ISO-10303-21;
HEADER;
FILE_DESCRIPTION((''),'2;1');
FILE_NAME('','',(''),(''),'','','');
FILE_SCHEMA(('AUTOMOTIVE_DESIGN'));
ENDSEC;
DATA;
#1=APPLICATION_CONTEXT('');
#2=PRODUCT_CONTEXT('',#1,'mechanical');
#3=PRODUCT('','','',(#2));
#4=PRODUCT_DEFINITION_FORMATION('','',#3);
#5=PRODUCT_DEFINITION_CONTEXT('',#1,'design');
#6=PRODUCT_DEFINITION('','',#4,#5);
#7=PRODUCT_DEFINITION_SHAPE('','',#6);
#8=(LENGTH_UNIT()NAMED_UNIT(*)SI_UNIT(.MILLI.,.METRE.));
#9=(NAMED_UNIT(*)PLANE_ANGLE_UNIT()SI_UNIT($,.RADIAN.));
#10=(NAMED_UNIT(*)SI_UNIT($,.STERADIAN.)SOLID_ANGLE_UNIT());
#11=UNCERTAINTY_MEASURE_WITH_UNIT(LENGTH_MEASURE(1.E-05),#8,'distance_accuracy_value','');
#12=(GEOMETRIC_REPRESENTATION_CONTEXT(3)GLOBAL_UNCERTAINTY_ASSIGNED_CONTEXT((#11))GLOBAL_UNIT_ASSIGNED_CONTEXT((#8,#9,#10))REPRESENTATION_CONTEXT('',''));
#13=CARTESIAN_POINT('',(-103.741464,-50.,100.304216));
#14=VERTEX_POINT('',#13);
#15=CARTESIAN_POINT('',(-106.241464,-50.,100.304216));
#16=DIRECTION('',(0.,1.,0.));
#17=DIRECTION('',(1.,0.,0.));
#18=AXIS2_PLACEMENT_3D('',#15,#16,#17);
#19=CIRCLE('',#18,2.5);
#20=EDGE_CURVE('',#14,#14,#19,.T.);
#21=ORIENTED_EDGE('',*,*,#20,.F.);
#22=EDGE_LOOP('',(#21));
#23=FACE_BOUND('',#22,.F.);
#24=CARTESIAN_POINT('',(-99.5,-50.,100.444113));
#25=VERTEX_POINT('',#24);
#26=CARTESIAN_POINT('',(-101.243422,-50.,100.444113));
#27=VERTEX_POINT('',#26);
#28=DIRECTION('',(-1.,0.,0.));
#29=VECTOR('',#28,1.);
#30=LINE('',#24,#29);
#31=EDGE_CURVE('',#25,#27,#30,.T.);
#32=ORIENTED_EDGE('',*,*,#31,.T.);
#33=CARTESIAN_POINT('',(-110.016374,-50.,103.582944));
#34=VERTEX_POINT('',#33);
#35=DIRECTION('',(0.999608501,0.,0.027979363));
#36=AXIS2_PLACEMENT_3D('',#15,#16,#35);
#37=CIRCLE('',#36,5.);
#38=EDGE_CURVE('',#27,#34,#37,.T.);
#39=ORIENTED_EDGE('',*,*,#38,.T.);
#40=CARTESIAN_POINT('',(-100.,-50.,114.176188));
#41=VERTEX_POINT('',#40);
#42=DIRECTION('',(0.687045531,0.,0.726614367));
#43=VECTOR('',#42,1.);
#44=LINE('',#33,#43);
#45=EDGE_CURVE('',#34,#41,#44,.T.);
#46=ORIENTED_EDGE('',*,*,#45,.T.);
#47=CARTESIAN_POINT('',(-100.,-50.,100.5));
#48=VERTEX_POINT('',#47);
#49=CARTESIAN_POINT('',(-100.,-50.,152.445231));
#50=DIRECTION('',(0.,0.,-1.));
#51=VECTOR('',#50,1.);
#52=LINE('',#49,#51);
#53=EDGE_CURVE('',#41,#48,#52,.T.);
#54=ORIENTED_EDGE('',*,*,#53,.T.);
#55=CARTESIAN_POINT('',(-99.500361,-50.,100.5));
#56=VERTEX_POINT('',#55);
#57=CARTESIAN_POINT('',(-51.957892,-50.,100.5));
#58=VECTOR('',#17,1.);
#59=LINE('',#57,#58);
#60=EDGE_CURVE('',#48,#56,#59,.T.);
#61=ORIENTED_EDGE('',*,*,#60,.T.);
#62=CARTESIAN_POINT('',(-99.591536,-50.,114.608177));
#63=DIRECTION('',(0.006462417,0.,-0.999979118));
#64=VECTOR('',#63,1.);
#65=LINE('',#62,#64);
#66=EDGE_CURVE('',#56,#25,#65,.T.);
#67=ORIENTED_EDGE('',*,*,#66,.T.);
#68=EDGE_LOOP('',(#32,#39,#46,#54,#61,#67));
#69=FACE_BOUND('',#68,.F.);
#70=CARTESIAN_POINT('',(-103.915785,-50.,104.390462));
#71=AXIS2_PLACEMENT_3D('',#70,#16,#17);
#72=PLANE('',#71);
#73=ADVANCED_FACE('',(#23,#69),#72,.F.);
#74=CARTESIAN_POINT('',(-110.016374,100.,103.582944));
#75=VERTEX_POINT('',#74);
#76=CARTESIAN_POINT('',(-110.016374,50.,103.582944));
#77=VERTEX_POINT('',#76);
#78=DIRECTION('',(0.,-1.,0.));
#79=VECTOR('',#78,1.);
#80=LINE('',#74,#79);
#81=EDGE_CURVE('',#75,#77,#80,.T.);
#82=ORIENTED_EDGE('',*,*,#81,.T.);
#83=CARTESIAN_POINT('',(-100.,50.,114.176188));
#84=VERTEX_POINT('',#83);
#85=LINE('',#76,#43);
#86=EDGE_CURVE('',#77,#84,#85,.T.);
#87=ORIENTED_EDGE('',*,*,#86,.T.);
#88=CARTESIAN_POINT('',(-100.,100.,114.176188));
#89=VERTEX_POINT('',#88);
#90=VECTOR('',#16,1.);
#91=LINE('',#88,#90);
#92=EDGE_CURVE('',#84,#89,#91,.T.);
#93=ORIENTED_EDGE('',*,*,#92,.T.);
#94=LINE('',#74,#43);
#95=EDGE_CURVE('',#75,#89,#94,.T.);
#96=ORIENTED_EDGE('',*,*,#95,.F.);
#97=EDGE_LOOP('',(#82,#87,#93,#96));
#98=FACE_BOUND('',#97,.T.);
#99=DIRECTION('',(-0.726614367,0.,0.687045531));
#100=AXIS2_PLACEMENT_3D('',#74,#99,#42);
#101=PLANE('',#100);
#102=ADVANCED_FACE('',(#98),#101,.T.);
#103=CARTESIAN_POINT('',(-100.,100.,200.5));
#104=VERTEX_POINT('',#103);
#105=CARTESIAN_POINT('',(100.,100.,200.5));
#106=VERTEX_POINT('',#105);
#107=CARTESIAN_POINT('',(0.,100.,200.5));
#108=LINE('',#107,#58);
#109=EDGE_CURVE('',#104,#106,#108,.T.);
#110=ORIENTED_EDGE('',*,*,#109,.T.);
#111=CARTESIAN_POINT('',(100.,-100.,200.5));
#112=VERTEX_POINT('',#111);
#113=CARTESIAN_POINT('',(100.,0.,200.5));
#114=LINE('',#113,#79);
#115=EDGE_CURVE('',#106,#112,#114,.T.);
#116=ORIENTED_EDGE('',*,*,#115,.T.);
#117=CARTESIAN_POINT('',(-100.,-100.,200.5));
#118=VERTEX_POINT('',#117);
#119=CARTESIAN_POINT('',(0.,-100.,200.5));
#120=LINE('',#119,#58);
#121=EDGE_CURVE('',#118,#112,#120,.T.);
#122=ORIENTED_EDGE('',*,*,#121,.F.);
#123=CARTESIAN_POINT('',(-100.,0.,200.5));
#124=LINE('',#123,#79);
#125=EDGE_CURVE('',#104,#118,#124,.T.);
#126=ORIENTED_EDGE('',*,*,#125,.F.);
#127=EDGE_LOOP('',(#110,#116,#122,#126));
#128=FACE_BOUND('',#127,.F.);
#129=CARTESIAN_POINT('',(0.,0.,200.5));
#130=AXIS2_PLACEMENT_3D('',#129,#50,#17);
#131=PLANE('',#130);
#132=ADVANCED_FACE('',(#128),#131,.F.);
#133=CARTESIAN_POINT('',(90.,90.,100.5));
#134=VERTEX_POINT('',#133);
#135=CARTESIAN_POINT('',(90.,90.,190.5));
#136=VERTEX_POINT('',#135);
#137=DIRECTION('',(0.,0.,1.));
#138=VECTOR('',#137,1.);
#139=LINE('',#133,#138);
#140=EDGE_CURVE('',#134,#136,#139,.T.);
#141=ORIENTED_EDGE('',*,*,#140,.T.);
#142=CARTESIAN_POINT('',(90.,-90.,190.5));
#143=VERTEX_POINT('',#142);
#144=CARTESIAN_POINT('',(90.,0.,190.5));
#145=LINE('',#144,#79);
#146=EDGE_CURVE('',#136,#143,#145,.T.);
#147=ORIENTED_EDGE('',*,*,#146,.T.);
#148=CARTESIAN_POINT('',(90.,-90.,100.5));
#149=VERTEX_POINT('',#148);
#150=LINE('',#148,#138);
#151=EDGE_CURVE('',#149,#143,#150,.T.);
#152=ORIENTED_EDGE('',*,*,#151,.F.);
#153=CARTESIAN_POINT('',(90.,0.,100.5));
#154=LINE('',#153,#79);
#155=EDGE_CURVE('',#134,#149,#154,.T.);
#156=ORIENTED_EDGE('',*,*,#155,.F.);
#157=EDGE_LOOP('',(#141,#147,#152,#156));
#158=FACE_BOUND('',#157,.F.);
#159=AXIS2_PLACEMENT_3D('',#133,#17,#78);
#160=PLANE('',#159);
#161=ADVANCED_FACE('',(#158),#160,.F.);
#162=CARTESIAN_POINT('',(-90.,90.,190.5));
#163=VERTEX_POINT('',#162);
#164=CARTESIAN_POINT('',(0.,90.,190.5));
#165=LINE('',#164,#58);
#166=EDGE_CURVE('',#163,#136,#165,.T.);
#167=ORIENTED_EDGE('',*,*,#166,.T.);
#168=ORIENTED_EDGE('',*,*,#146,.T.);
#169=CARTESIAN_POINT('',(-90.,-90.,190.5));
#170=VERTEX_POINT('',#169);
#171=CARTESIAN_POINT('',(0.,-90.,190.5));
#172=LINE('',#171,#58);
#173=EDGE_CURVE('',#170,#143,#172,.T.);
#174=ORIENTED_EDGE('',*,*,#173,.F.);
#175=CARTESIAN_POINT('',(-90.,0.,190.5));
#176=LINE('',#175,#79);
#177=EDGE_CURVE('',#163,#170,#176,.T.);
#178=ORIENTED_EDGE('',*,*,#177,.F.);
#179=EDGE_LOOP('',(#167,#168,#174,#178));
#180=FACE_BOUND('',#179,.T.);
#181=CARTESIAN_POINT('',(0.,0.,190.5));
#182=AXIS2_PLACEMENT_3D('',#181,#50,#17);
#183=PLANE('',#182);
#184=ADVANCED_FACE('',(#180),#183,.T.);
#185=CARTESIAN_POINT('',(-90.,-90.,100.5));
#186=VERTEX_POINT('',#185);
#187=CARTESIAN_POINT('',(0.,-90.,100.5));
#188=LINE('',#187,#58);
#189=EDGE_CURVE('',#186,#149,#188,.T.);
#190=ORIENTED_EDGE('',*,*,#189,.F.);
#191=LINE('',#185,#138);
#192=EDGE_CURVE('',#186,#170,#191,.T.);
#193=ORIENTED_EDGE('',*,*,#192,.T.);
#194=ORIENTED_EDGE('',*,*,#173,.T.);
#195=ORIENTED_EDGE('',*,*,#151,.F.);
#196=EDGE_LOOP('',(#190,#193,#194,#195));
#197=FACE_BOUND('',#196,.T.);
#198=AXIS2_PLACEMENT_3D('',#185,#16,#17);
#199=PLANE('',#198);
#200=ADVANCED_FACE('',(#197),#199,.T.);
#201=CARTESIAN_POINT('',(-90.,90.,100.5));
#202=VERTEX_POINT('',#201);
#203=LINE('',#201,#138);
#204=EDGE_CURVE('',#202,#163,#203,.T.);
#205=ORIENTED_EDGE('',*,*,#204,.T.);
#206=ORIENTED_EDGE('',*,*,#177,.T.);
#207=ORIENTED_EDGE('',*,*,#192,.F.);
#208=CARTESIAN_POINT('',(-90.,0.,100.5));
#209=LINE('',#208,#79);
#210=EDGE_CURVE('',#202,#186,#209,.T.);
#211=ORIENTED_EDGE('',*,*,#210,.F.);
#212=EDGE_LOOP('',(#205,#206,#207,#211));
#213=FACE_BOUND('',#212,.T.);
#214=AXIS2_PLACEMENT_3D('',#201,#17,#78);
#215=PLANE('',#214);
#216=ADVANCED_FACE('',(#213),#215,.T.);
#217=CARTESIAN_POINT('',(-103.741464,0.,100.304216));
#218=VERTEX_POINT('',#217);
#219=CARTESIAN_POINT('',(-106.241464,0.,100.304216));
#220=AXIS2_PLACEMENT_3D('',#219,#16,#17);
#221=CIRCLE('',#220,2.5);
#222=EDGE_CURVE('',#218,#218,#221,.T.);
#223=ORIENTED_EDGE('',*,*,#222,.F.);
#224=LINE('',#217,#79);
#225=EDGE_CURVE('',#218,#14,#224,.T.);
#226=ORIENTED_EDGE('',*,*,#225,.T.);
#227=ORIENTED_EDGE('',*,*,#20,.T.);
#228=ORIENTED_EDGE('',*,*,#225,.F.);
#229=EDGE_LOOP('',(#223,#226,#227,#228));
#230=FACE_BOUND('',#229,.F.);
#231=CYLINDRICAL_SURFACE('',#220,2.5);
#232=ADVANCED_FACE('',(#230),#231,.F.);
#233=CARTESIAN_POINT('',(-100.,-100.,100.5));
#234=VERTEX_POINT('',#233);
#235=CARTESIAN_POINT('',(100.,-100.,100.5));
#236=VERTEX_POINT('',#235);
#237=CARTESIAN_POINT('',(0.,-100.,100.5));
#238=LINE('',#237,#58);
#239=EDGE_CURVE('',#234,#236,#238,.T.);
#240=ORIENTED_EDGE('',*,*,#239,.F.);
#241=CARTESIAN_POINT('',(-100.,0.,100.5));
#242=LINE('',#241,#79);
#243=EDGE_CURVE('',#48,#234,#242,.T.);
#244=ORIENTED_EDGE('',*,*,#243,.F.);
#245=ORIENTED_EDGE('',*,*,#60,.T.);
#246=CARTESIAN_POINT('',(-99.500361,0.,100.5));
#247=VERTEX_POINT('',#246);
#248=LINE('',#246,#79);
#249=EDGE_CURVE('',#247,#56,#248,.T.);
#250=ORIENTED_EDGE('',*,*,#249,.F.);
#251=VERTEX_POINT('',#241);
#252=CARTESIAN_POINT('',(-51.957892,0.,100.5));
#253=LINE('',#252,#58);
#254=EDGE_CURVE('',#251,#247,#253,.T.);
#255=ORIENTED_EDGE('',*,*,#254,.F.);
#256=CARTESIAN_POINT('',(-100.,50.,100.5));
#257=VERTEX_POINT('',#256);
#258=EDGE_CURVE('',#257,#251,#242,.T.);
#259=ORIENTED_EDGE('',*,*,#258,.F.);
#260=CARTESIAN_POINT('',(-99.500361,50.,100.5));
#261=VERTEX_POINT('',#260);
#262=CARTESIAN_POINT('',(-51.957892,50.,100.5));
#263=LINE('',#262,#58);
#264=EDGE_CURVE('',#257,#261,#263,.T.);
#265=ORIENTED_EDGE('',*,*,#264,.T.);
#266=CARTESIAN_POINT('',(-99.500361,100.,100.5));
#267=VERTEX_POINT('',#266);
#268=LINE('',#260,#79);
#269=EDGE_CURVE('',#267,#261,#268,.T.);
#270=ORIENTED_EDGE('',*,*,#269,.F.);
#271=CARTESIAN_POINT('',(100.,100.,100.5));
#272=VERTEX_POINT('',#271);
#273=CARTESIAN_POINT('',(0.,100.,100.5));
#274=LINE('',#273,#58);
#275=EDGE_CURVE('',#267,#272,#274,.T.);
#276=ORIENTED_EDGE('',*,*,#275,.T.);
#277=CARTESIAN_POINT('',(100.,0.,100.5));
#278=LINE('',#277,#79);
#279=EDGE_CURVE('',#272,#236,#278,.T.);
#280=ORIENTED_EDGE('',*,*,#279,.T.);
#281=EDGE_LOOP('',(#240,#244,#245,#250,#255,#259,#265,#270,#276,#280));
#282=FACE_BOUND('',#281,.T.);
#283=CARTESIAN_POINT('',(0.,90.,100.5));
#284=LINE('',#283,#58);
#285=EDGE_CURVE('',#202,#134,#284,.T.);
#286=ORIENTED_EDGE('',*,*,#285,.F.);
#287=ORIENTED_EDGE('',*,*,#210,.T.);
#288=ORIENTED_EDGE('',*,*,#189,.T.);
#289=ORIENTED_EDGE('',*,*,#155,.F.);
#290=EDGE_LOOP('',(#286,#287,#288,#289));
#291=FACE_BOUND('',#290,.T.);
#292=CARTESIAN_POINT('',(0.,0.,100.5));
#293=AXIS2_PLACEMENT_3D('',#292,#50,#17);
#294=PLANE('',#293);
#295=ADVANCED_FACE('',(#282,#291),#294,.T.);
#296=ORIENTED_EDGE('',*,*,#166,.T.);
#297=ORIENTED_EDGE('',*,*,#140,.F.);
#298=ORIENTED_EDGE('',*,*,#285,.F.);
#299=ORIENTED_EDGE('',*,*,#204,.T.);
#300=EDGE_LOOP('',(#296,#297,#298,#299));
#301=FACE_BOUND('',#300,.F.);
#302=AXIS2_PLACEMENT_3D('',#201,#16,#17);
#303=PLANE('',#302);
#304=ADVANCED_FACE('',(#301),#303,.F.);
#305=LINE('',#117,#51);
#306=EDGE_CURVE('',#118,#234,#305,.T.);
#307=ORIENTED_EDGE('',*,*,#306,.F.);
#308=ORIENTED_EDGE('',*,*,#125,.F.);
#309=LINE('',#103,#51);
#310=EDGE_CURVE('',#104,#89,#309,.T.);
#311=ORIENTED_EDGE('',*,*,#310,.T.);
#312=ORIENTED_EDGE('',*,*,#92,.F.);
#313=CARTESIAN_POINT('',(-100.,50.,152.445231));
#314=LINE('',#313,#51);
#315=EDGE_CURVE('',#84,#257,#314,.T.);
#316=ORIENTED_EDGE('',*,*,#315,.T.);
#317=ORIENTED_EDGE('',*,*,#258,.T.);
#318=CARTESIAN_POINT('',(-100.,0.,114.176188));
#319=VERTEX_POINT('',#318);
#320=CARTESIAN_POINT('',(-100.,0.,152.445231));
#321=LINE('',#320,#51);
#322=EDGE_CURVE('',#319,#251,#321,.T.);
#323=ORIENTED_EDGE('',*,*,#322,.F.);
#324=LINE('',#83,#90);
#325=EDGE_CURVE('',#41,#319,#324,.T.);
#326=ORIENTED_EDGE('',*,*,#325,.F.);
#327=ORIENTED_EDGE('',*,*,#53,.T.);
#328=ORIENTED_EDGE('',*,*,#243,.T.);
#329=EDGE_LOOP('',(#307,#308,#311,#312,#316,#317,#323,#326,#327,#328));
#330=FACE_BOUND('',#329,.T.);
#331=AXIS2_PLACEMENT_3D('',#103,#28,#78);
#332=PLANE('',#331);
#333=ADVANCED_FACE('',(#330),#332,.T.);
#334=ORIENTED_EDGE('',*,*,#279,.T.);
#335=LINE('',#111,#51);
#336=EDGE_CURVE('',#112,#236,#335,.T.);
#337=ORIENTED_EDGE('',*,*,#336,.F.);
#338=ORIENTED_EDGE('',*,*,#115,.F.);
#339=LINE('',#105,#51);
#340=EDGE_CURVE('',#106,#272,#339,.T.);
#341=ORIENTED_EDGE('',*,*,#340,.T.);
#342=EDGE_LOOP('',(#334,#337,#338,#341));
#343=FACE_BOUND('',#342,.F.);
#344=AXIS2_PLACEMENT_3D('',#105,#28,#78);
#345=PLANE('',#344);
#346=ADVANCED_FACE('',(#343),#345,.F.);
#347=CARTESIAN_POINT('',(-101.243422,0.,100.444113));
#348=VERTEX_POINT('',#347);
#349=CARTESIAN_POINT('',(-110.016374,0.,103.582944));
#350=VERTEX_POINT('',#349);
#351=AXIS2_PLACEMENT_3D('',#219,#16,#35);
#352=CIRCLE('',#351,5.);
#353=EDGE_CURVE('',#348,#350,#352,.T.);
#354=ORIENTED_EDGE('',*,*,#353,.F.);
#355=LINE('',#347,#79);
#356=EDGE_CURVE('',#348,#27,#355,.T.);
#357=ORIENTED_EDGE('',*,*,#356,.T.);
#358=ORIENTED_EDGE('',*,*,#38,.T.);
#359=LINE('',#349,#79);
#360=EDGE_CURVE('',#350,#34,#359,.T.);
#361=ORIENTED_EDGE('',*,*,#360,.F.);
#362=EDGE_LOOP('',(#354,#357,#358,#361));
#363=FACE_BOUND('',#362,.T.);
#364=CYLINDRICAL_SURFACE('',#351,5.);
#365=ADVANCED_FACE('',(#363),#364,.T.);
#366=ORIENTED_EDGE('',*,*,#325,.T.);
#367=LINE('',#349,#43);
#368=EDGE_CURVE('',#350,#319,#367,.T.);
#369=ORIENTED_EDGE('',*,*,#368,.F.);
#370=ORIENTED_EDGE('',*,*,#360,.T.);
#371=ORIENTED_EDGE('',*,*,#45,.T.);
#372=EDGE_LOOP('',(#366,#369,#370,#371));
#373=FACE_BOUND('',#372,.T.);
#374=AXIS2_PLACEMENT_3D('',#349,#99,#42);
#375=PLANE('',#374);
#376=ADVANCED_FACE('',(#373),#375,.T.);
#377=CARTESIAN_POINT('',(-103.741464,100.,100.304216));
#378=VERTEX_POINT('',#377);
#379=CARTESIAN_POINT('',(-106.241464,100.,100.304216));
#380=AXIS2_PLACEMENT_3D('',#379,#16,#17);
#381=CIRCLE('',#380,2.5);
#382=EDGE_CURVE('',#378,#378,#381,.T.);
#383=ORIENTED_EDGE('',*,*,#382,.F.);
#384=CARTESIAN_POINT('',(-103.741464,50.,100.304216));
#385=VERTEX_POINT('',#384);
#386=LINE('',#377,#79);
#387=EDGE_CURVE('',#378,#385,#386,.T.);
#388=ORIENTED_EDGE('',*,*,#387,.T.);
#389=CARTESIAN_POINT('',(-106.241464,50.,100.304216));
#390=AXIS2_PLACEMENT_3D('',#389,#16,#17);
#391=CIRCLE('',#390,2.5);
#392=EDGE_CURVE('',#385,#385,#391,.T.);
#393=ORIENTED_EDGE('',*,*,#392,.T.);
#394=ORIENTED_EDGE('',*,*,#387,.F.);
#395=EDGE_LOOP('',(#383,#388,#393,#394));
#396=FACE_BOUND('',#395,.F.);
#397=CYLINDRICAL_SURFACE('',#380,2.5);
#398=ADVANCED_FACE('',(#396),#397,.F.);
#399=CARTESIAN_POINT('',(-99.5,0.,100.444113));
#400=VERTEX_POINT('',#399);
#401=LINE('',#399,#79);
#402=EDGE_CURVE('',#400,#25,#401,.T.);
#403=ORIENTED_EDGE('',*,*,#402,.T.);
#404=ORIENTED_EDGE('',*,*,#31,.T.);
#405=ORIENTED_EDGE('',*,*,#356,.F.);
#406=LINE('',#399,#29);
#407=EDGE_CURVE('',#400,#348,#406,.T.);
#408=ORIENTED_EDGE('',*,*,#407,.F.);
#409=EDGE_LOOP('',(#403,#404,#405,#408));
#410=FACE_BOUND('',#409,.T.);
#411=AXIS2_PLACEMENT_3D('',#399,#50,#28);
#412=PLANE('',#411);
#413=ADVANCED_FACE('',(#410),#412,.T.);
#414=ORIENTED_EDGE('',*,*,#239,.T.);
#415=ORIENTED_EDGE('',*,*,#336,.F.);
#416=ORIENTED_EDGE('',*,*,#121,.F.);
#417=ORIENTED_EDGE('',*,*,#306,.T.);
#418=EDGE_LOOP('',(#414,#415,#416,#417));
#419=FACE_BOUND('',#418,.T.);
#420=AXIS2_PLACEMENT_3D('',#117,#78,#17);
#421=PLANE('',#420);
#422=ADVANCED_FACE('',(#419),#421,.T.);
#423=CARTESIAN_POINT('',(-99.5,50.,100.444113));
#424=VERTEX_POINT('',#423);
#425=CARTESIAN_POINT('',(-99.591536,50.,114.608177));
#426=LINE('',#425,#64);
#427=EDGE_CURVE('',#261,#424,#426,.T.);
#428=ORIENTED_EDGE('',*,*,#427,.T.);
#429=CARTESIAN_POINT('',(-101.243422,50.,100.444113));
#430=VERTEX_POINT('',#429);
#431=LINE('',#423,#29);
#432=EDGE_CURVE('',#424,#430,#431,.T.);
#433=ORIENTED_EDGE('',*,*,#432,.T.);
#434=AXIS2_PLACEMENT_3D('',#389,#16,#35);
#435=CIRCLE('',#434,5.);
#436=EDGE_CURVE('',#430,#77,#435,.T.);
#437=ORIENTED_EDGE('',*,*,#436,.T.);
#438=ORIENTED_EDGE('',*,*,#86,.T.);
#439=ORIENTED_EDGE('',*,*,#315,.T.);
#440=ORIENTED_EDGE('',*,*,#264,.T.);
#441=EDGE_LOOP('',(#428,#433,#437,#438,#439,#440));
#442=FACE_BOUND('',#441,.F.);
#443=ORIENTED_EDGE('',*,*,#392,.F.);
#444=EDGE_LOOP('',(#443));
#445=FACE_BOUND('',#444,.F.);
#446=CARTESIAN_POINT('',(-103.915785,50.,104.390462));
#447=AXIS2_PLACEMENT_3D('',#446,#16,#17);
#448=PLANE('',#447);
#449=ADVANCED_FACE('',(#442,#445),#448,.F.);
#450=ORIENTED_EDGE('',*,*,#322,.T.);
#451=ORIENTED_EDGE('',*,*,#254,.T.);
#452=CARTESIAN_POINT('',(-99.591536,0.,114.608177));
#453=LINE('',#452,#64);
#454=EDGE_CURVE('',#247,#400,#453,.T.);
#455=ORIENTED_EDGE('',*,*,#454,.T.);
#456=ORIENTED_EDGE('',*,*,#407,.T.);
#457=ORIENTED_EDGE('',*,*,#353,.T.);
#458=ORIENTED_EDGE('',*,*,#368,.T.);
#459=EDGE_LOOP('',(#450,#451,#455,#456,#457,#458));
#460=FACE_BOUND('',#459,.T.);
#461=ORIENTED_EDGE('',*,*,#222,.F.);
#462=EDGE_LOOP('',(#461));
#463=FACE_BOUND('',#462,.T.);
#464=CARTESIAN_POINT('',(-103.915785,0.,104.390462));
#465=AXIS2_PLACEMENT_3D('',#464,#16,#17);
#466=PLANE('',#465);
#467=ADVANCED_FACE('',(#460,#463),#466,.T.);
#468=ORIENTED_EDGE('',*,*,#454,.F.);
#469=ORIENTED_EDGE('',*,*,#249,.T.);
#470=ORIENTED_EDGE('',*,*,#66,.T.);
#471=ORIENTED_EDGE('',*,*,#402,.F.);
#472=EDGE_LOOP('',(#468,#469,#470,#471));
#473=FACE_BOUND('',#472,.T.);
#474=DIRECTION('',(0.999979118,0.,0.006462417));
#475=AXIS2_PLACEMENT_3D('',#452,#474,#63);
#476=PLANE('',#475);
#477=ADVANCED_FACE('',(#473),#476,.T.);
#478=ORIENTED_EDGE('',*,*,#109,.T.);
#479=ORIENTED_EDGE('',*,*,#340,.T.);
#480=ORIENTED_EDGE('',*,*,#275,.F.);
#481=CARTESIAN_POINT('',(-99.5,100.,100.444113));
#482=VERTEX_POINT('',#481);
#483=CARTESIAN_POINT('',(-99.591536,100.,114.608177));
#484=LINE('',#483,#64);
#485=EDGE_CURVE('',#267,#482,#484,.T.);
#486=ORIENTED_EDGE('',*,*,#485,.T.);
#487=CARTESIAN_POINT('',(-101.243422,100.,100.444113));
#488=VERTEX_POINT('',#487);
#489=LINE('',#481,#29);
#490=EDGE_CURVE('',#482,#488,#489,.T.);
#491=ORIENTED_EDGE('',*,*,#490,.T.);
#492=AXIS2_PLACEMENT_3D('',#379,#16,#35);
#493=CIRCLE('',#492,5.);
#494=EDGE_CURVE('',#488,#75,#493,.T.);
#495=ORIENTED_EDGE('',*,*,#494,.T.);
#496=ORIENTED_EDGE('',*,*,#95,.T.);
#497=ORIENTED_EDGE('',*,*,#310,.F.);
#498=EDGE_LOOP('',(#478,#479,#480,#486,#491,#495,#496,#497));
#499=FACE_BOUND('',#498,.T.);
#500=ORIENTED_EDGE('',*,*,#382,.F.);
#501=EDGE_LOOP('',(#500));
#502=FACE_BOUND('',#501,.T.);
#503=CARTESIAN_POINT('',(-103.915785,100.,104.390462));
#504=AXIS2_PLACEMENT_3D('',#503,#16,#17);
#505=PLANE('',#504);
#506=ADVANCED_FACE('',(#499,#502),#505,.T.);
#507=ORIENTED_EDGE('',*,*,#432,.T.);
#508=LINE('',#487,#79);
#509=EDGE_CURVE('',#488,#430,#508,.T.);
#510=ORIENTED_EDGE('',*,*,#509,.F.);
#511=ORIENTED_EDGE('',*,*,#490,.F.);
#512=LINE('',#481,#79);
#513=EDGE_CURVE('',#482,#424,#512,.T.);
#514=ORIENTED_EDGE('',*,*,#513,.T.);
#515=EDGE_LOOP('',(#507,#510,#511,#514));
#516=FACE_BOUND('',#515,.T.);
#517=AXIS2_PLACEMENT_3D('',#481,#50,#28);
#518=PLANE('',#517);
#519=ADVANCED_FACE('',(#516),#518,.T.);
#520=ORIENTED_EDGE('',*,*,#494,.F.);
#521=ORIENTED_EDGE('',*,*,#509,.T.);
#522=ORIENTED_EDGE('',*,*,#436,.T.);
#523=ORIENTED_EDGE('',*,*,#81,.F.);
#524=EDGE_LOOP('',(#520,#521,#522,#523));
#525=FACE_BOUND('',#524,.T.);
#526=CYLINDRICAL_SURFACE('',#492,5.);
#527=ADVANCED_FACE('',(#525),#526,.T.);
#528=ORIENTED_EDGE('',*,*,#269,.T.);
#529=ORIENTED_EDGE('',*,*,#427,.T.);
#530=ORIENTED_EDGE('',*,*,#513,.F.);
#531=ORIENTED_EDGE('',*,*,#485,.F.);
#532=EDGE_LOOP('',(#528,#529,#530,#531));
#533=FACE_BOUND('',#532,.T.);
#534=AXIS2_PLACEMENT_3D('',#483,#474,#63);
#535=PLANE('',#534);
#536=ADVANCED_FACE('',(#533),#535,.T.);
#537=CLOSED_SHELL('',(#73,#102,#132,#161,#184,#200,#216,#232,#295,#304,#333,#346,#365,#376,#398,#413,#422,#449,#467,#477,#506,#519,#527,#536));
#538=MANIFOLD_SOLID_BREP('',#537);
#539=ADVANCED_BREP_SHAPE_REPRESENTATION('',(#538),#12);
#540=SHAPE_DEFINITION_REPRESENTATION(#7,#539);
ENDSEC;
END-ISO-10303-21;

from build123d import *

# Parameters (mm, degrees)
SKETCH003_W             = 200
SKETCH003_H             = 200
PAD002_DEPTH            = 100
SKETCH004_W             = 180
SKETCH004_H             = 180
POCKET001_DEPTH         = 90
SKETCH005_R             = 2.5
PAD003_DEPTH            = 50
LINEARPATTERN001_COUNT  = 2
LINEARPATTERN001_PITCH  = 100
BODY003_PLACEMENT_ANGLE = 180


with BuildPart() as part:
    # Sketch003 → Pad002 (new body)
    with BuildSketch(Plane.XY):
        Rectangle(SKETCH003_W, SKETCH003_H)
    extrude(amount=PAD002_DEPTH)

    # Sketch004 (on Face6 of Pad002) → Pocket001 (cut)
    with BuildSketch(Plane.XY.offset(100)):
        Rectangle(SKETCH004_W, SKETCH004_H)
    extrude(amount=-POCKET001_DEPTH, mode=Mode.SUBTRACT)

    # Sketch005 (on Face6 of Pocket001) → Pad003 (join)
    with BuildSketch(Plane.XZ.offset(100)):
        with BuildLine():
            ThreePointArc((-101.243422, 100.055887), (-107.925827, 104.903535), (-110.016374, 96.917056))
            Line((-110.016374, 96.917056), (-99.591536, 85.891823))
            Line((-99.591536, 85.891823), (-99.5, 100.055887))
            Line((-99.5, 100.055887), (-101.243422, 100.055887))
        make_face()
        with Locations((-106.241464, 100.195784)):
            Circle(SKETCH005_R, mode=Mode.SUBTRACT)
    pad003 = extrude(amount=-PAD003_DEPTH)

    # LinearPattern001: Pad003 ×2
    with Locations(*[(0, i * LINEARPATTERN001_PITCH, 0) for i in range(1, LINEARPATTERN001_COUNT)]):
        add(pad003)


with BuildPart() as part_1:
    # Body003 placement: moved
    add(part.part.moved(Location((0, 0, 200.5))).rotate(Axis((0, 0, 200.5), (1, 0, 0)), BODY003_PLACEMENT_ANGLE))


solid = part_1.part
